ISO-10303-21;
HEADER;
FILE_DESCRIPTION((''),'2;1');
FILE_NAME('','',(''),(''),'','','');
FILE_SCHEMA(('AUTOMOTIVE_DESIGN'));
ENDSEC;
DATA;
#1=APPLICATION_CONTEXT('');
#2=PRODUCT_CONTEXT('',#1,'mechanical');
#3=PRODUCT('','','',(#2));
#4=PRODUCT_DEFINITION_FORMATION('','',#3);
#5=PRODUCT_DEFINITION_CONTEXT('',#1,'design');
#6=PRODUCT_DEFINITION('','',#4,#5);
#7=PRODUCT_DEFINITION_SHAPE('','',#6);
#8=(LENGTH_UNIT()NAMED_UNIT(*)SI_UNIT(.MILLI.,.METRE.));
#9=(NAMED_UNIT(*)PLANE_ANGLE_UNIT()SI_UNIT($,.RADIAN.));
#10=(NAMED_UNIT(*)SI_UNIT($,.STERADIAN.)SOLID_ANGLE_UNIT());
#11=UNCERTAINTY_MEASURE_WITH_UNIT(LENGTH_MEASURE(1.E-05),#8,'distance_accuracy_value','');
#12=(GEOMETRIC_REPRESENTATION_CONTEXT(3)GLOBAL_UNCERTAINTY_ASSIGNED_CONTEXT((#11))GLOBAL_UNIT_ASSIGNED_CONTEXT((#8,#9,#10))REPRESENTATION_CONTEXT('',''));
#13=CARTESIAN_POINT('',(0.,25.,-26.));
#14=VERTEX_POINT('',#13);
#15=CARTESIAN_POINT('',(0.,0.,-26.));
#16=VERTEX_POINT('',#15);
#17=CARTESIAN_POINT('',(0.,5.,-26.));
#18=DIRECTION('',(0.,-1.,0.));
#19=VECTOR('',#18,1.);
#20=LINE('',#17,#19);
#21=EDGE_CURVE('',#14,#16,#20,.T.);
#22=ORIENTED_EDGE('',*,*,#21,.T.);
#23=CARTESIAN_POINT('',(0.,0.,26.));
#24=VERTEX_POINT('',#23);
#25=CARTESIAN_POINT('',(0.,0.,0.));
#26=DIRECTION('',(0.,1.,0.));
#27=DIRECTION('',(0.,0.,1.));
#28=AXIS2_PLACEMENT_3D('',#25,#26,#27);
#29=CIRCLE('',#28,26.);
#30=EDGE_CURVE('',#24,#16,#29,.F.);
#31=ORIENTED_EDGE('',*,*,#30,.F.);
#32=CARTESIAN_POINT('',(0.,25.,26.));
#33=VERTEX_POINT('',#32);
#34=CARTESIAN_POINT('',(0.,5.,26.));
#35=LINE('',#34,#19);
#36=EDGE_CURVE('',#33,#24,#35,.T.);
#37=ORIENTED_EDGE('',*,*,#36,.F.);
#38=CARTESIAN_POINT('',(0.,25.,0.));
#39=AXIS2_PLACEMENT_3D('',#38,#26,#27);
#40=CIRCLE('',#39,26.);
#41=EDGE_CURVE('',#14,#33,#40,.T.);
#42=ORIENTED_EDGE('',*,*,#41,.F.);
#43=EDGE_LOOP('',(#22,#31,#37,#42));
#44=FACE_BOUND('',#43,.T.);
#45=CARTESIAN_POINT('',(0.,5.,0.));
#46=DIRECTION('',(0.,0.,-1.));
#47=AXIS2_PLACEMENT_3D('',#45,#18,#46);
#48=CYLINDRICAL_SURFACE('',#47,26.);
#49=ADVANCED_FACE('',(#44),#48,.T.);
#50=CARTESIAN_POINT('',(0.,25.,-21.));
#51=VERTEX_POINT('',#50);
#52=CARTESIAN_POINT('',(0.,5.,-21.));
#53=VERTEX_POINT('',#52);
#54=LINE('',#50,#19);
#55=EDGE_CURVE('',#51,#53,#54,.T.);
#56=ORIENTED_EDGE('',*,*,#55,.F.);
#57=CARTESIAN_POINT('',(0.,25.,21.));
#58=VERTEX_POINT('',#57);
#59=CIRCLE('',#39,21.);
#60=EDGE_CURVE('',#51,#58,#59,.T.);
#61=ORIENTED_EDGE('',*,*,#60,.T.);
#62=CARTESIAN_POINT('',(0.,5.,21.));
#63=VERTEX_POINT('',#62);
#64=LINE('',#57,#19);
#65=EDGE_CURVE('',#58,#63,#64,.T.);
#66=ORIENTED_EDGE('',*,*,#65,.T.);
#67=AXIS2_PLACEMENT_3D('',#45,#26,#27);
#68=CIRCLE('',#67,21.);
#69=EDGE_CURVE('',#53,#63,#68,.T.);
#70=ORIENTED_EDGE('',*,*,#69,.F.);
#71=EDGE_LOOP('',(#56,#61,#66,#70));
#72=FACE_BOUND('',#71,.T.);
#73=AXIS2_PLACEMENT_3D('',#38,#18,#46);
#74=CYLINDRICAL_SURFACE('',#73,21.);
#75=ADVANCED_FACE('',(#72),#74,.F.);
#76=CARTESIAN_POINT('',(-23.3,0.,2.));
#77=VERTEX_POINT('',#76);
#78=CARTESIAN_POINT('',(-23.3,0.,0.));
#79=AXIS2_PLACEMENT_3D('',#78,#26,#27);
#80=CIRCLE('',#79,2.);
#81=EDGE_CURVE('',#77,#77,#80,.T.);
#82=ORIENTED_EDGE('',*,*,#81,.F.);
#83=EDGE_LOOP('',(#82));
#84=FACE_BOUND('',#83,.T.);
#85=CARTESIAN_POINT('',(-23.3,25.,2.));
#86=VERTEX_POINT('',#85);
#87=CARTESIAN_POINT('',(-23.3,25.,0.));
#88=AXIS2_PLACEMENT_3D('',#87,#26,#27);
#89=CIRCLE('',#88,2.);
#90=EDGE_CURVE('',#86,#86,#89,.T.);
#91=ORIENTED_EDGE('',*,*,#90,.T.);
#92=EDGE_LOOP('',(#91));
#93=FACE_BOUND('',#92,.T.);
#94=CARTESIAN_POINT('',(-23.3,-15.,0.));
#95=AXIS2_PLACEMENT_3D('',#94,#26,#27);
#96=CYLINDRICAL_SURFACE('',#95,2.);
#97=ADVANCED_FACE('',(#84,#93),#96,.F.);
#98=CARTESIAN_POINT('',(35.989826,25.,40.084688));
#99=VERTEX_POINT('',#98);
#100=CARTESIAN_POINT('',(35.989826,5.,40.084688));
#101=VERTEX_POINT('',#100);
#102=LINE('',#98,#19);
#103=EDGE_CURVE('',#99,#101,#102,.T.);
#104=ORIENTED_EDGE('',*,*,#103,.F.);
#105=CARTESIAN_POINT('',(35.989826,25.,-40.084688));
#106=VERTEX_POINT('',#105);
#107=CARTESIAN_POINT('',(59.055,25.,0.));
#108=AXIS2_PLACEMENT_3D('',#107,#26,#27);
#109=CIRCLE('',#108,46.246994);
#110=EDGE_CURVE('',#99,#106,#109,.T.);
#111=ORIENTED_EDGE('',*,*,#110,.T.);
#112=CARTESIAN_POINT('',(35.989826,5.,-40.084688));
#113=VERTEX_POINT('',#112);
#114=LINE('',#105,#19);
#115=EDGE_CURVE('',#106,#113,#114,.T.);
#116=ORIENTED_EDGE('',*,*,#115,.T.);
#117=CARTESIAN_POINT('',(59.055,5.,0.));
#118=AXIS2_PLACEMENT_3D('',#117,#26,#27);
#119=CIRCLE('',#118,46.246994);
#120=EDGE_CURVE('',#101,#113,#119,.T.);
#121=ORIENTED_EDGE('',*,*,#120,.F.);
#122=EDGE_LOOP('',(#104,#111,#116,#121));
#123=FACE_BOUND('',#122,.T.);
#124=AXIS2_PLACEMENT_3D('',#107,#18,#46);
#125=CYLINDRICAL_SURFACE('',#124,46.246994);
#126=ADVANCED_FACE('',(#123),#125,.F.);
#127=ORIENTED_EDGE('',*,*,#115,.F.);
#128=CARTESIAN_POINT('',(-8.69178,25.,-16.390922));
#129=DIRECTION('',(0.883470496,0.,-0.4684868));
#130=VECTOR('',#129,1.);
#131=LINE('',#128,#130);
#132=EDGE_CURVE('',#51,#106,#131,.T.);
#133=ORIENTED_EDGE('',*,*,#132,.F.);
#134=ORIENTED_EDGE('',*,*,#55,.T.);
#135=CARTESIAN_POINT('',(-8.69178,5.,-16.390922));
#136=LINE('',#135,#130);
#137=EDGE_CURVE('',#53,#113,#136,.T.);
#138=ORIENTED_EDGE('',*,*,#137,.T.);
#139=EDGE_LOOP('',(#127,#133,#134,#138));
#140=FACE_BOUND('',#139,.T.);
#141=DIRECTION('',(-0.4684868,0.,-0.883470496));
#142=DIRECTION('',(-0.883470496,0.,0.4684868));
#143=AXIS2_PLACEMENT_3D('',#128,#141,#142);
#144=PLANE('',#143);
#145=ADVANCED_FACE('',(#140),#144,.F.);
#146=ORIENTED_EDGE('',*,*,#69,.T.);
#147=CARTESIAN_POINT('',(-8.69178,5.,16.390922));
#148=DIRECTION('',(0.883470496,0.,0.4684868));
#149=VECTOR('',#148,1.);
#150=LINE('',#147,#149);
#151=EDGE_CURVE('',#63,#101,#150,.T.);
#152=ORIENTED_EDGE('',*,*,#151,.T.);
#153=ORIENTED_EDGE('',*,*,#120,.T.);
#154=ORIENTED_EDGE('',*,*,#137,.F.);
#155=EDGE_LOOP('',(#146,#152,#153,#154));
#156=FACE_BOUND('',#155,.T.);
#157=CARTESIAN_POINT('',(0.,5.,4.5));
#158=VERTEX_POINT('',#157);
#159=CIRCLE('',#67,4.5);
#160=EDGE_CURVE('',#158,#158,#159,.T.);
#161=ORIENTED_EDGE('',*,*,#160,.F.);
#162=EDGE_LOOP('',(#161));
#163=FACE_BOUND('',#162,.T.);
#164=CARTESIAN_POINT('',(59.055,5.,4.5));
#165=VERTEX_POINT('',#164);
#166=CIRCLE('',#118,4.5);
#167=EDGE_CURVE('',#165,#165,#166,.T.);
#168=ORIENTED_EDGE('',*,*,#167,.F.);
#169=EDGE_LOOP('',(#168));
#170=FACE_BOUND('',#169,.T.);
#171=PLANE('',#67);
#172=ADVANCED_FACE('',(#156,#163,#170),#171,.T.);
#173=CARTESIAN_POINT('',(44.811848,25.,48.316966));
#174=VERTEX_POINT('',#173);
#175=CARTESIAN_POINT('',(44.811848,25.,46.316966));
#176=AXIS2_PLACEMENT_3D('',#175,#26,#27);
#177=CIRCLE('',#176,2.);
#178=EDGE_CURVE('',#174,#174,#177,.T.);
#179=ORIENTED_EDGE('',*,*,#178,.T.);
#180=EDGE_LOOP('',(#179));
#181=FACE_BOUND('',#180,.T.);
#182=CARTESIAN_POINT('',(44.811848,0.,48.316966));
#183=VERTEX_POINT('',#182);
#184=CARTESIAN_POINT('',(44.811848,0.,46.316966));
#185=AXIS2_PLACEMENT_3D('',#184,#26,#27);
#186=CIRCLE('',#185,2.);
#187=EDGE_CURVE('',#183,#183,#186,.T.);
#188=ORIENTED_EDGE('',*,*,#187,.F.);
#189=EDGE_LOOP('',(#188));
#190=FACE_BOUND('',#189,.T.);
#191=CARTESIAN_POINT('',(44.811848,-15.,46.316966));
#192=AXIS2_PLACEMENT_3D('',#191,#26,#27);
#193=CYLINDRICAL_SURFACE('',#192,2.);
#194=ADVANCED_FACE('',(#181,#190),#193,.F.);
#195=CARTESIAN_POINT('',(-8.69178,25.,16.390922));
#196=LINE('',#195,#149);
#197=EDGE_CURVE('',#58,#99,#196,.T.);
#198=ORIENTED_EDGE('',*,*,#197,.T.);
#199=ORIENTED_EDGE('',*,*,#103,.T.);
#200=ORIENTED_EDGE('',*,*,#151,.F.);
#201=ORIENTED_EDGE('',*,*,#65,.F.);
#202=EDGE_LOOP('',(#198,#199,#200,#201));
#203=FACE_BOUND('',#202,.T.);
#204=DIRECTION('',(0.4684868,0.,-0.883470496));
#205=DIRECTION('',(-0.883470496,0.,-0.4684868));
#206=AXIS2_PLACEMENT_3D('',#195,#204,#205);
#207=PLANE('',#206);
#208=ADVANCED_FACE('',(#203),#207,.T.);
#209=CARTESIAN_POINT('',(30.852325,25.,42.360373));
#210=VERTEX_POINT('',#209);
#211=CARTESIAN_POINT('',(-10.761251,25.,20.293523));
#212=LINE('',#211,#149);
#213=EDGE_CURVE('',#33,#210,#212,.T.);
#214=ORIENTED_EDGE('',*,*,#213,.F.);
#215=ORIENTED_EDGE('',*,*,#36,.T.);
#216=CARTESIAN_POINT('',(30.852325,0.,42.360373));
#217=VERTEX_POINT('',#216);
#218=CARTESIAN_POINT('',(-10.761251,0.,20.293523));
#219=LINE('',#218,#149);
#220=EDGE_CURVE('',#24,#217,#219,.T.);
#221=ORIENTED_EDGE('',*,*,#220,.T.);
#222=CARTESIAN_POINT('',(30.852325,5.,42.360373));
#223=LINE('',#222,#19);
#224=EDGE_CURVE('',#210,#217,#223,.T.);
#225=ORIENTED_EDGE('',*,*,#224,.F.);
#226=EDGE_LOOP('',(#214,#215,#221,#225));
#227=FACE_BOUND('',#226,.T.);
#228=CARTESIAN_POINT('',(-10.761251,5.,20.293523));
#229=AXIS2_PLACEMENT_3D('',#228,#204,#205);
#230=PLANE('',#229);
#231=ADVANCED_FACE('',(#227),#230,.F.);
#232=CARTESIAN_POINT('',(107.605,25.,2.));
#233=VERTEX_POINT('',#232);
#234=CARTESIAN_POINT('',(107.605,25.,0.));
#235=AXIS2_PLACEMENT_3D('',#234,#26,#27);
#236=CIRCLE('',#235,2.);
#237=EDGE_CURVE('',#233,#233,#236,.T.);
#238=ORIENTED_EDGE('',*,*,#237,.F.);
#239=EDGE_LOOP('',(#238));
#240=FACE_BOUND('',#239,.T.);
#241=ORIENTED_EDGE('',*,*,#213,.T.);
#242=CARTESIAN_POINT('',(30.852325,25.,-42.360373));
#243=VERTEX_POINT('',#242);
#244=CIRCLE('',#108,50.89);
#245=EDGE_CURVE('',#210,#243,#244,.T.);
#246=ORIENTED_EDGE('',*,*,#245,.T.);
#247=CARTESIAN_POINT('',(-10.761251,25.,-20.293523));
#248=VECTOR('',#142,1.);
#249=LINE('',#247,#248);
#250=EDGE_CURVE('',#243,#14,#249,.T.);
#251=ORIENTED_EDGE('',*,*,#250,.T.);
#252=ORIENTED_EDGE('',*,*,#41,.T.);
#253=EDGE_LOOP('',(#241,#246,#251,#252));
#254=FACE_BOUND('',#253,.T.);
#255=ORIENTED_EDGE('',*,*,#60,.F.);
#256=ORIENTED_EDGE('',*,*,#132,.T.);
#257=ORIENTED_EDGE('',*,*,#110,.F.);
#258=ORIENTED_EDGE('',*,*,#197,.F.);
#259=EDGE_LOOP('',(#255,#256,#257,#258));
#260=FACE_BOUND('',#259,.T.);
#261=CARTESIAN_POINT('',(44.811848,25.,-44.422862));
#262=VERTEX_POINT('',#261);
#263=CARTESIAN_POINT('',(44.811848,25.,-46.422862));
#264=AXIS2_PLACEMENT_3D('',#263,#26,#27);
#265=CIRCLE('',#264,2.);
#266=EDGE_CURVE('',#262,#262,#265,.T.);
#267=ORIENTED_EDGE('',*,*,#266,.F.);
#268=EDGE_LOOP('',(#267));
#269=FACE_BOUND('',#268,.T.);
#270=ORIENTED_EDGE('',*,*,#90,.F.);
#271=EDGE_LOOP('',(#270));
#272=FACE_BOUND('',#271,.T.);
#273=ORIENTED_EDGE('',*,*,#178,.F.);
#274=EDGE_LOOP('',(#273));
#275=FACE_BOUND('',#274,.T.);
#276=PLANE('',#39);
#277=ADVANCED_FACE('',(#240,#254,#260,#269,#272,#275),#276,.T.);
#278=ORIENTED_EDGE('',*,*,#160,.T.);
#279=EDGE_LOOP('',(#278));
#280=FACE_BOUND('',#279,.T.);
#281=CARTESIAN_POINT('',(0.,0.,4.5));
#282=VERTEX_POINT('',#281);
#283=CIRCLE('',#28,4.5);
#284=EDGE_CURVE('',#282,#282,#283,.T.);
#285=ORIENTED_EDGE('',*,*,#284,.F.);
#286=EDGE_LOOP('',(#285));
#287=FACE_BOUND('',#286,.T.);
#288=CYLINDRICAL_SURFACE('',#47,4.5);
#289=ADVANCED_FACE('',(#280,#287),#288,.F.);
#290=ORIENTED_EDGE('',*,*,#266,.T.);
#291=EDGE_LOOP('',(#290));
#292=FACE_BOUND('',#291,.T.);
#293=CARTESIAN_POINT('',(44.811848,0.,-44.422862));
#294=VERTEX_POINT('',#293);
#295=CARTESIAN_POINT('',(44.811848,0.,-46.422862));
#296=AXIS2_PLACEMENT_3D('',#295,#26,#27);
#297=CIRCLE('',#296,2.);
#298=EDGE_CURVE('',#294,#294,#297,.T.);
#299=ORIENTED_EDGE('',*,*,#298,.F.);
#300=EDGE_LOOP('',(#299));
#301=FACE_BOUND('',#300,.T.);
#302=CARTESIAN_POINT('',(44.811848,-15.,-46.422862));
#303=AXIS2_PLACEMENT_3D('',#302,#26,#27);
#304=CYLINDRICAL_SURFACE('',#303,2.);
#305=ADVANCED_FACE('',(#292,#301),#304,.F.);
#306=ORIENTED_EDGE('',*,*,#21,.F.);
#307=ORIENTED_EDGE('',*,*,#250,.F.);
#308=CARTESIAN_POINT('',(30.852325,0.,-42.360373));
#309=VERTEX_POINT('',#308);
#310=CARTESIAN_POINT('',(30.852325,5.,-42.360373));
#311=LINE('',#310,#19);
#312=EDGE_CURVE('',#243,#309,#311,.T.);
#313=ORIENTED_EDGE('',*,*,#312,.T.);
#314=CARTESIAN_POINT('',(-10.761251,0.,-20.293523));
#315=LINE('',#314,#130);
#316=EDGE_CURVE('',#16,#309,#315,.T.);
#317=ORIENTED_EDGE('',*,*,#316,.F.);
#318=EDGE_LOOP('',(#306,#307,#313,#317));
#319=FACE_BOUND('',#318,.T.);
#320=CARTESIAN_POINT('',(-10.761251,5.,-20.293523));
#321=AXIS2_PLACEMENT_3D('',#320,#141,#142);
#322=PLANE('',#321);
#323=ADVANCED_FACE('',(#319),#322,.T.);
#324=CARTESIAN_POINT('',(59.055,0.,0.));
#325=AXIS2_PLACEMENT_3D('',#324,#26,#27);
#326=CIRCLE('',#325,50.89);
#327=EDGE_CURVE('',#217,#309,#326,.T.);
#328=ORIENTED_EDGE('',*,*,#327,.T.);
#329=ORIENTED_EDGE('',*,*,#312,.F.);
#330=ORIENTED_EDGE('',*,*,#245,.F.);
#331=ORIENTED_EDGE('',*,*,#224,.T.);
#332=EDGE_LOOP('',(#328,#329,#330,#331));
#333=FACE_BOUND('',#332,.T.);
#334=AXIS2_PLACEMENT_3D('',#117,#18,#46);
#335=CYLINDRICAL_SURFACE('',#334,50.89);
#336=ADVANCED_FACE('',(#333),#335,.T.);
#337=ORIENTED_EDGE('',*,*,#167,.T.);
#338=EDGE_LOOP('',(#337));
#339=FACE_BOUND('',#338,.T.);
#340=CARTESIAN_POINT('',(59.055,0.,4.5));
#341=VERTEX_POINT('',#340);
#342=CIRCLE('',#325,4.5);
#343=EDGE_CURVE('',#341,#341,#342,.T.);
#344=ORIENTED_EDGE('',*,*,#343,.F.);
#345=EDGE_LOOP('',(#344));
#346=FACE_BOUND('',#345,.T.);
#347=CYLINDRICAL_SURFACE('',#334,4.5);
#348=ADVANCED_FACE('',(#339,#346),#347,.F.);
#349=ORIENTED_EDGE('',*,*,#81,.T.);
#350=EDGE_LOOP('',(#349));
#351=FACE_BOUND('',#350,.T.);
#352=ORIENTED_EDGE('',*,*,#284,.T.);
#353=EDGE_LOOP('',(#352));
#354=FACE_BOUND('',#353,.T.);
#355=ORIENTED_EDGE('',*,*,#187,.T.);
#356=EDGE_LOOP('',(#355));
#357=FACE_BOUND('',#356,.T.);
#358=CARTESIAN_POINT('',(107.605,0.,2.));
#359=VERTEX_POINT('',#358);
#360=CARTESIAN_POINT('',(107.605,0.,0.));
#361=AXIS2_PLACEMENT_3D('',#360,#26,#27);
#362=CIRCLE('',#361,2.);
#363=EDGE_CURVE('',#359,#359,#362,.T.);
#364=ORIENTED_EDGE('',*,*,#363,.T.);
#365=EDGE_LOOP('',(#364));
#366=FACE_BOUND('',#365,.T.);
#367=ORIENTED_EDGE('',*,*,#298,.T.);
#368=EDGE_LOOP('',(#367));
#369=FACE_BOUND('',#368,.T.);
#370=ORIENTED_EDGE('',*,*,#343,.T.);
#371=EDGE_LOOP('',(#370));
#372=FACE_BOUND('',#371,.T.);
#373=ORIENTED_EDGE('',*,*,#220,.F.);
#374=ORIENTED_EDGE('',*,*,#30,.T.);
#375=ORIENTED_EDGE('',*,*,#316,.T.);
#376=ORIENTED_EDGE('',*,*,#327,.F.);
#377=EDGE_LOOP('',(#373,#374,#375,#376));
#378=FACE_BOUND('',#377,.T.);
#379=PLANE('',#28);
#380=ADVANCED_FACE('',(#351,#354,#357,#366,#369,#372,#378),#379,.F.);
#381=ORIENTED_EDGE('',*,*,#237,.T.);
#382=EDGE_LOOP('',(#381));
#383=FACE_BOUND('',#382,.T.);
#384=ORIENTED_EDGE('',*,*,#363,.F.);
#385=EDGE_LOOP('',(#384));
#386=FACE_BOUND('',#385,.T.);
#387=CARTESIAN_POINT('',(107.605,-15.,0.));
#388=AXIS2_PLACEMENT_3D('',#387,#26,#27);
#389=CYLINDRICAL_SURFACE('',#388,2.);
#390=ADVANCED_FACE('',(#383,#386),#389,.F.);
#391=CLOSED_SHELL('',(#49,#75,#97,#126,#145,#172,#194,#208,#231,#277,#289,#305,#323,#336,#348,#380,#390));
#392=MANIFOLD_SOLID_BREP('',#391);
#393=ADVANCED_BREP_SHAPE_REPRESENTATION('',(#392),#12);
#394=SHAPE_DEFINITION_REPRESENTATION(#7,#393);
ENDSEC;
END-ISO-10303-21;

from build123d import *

# Parameters (mm, degrees)
SKETCH2_R           = 4.5
BOSS_EXTRUDE1_DEPTH = 5
BOSS_EXTRUDE4_DEPTH = 20
SKETCH4_R           = 2
CUT_EXTRUDE1_DEPTH  = 40


with BuildPart() as part:
    # Sketch2 → Boss-Extrude1 (new body)
    with BuildSketch(Plane(origin=(0, 0, 0), x_dir=(1, 0, 0), z_dir=(0, 1, 0))):
        with BuildLine():
            Line((30.852324511, 42.360372936), (0, 26))
            ThreePointArc((0, 26), (-26, 0), (0, -26))
            Line((0, -26), (30.852324511, -42.360372936))
            ThreePointArc((30.852324511, -42.360372936), (109.945, 0), (30.852324511, 42.360372936))
        make_face()
        with Locations(Location((0, 0, 0), (0, 0, 270))):
            Circle(SKETCH2_R, mode=Mode.SUBTRACT)
        with Locations(Location((59.055, 0, 0), (0, 0, 270))):
            Circle(SKETCH2_R, mode=Mode.SUBTRACT)
    extrude(amount=BOSS_EXTRUDE1_DEPTH)

    # Sketch3 → Boss-Extrude4 (add)
    with BuildSketch(Plane(origin=(0, 5, 0), x_dir=(1, 0, 0), z_dir=(0, 1, 0))):
        with BuildLine():
            Line((30.852324511, 42.360372936), (0, 26))
            ThreePointArc((0, 26), (-26, 0), (0, -26))
            Line((0, -26), (30.852324511, -42.360372936))
            ThreePointArc((30.852324511, -42.360372936), (109.945, 0), (30.852324511, 42.360372936))
        make_face()
        with BuildLine():
            Line((0, 21), (35.989825914, 40.084687562))
            ThreePointArc((35.989825914, 40.084687562), (105.301993768, 0), (35.989825914, -40.084687562))
            Line((35.989825914, -40.084687562), (0, -21))
            ThreePointArc((0, -21), (-21, 0), (0, 21))
        make_face(mode=Mode.SUBTRACT)
    extrude(amount=BOSS_EXTRUDE4_DEPTH)

    # Sketch4 → Cut-Extrude1 (cut)
    with BuildSketch(Plane(origin=(0, 25, 0), x_dir=(1, 0, 0), z_dir=(0, 1, 0))):
        with Locations(Location((-23.3, 0, 0), (0, 0, 270))):
            Circle(SKETCH4_R)
        with Locations(Location((107.605, 0, 0), (0, 0, 270))):
            Circle(SKETCH4_R)
        with Locations(Location((44.81184785, 46.422862213, 0), (0, 0, 270))):
            Circle(SKETCH4_R)
        with Locations(Location((44.81184785, -46.316966164, 0), (0, 0, 270))):
            Circle(SKETCH4_R)
    extrude(amount=-CUT_EXTRUDE1_DEPTH, mode=Mode.SUBTRACT)


solid = part.part
